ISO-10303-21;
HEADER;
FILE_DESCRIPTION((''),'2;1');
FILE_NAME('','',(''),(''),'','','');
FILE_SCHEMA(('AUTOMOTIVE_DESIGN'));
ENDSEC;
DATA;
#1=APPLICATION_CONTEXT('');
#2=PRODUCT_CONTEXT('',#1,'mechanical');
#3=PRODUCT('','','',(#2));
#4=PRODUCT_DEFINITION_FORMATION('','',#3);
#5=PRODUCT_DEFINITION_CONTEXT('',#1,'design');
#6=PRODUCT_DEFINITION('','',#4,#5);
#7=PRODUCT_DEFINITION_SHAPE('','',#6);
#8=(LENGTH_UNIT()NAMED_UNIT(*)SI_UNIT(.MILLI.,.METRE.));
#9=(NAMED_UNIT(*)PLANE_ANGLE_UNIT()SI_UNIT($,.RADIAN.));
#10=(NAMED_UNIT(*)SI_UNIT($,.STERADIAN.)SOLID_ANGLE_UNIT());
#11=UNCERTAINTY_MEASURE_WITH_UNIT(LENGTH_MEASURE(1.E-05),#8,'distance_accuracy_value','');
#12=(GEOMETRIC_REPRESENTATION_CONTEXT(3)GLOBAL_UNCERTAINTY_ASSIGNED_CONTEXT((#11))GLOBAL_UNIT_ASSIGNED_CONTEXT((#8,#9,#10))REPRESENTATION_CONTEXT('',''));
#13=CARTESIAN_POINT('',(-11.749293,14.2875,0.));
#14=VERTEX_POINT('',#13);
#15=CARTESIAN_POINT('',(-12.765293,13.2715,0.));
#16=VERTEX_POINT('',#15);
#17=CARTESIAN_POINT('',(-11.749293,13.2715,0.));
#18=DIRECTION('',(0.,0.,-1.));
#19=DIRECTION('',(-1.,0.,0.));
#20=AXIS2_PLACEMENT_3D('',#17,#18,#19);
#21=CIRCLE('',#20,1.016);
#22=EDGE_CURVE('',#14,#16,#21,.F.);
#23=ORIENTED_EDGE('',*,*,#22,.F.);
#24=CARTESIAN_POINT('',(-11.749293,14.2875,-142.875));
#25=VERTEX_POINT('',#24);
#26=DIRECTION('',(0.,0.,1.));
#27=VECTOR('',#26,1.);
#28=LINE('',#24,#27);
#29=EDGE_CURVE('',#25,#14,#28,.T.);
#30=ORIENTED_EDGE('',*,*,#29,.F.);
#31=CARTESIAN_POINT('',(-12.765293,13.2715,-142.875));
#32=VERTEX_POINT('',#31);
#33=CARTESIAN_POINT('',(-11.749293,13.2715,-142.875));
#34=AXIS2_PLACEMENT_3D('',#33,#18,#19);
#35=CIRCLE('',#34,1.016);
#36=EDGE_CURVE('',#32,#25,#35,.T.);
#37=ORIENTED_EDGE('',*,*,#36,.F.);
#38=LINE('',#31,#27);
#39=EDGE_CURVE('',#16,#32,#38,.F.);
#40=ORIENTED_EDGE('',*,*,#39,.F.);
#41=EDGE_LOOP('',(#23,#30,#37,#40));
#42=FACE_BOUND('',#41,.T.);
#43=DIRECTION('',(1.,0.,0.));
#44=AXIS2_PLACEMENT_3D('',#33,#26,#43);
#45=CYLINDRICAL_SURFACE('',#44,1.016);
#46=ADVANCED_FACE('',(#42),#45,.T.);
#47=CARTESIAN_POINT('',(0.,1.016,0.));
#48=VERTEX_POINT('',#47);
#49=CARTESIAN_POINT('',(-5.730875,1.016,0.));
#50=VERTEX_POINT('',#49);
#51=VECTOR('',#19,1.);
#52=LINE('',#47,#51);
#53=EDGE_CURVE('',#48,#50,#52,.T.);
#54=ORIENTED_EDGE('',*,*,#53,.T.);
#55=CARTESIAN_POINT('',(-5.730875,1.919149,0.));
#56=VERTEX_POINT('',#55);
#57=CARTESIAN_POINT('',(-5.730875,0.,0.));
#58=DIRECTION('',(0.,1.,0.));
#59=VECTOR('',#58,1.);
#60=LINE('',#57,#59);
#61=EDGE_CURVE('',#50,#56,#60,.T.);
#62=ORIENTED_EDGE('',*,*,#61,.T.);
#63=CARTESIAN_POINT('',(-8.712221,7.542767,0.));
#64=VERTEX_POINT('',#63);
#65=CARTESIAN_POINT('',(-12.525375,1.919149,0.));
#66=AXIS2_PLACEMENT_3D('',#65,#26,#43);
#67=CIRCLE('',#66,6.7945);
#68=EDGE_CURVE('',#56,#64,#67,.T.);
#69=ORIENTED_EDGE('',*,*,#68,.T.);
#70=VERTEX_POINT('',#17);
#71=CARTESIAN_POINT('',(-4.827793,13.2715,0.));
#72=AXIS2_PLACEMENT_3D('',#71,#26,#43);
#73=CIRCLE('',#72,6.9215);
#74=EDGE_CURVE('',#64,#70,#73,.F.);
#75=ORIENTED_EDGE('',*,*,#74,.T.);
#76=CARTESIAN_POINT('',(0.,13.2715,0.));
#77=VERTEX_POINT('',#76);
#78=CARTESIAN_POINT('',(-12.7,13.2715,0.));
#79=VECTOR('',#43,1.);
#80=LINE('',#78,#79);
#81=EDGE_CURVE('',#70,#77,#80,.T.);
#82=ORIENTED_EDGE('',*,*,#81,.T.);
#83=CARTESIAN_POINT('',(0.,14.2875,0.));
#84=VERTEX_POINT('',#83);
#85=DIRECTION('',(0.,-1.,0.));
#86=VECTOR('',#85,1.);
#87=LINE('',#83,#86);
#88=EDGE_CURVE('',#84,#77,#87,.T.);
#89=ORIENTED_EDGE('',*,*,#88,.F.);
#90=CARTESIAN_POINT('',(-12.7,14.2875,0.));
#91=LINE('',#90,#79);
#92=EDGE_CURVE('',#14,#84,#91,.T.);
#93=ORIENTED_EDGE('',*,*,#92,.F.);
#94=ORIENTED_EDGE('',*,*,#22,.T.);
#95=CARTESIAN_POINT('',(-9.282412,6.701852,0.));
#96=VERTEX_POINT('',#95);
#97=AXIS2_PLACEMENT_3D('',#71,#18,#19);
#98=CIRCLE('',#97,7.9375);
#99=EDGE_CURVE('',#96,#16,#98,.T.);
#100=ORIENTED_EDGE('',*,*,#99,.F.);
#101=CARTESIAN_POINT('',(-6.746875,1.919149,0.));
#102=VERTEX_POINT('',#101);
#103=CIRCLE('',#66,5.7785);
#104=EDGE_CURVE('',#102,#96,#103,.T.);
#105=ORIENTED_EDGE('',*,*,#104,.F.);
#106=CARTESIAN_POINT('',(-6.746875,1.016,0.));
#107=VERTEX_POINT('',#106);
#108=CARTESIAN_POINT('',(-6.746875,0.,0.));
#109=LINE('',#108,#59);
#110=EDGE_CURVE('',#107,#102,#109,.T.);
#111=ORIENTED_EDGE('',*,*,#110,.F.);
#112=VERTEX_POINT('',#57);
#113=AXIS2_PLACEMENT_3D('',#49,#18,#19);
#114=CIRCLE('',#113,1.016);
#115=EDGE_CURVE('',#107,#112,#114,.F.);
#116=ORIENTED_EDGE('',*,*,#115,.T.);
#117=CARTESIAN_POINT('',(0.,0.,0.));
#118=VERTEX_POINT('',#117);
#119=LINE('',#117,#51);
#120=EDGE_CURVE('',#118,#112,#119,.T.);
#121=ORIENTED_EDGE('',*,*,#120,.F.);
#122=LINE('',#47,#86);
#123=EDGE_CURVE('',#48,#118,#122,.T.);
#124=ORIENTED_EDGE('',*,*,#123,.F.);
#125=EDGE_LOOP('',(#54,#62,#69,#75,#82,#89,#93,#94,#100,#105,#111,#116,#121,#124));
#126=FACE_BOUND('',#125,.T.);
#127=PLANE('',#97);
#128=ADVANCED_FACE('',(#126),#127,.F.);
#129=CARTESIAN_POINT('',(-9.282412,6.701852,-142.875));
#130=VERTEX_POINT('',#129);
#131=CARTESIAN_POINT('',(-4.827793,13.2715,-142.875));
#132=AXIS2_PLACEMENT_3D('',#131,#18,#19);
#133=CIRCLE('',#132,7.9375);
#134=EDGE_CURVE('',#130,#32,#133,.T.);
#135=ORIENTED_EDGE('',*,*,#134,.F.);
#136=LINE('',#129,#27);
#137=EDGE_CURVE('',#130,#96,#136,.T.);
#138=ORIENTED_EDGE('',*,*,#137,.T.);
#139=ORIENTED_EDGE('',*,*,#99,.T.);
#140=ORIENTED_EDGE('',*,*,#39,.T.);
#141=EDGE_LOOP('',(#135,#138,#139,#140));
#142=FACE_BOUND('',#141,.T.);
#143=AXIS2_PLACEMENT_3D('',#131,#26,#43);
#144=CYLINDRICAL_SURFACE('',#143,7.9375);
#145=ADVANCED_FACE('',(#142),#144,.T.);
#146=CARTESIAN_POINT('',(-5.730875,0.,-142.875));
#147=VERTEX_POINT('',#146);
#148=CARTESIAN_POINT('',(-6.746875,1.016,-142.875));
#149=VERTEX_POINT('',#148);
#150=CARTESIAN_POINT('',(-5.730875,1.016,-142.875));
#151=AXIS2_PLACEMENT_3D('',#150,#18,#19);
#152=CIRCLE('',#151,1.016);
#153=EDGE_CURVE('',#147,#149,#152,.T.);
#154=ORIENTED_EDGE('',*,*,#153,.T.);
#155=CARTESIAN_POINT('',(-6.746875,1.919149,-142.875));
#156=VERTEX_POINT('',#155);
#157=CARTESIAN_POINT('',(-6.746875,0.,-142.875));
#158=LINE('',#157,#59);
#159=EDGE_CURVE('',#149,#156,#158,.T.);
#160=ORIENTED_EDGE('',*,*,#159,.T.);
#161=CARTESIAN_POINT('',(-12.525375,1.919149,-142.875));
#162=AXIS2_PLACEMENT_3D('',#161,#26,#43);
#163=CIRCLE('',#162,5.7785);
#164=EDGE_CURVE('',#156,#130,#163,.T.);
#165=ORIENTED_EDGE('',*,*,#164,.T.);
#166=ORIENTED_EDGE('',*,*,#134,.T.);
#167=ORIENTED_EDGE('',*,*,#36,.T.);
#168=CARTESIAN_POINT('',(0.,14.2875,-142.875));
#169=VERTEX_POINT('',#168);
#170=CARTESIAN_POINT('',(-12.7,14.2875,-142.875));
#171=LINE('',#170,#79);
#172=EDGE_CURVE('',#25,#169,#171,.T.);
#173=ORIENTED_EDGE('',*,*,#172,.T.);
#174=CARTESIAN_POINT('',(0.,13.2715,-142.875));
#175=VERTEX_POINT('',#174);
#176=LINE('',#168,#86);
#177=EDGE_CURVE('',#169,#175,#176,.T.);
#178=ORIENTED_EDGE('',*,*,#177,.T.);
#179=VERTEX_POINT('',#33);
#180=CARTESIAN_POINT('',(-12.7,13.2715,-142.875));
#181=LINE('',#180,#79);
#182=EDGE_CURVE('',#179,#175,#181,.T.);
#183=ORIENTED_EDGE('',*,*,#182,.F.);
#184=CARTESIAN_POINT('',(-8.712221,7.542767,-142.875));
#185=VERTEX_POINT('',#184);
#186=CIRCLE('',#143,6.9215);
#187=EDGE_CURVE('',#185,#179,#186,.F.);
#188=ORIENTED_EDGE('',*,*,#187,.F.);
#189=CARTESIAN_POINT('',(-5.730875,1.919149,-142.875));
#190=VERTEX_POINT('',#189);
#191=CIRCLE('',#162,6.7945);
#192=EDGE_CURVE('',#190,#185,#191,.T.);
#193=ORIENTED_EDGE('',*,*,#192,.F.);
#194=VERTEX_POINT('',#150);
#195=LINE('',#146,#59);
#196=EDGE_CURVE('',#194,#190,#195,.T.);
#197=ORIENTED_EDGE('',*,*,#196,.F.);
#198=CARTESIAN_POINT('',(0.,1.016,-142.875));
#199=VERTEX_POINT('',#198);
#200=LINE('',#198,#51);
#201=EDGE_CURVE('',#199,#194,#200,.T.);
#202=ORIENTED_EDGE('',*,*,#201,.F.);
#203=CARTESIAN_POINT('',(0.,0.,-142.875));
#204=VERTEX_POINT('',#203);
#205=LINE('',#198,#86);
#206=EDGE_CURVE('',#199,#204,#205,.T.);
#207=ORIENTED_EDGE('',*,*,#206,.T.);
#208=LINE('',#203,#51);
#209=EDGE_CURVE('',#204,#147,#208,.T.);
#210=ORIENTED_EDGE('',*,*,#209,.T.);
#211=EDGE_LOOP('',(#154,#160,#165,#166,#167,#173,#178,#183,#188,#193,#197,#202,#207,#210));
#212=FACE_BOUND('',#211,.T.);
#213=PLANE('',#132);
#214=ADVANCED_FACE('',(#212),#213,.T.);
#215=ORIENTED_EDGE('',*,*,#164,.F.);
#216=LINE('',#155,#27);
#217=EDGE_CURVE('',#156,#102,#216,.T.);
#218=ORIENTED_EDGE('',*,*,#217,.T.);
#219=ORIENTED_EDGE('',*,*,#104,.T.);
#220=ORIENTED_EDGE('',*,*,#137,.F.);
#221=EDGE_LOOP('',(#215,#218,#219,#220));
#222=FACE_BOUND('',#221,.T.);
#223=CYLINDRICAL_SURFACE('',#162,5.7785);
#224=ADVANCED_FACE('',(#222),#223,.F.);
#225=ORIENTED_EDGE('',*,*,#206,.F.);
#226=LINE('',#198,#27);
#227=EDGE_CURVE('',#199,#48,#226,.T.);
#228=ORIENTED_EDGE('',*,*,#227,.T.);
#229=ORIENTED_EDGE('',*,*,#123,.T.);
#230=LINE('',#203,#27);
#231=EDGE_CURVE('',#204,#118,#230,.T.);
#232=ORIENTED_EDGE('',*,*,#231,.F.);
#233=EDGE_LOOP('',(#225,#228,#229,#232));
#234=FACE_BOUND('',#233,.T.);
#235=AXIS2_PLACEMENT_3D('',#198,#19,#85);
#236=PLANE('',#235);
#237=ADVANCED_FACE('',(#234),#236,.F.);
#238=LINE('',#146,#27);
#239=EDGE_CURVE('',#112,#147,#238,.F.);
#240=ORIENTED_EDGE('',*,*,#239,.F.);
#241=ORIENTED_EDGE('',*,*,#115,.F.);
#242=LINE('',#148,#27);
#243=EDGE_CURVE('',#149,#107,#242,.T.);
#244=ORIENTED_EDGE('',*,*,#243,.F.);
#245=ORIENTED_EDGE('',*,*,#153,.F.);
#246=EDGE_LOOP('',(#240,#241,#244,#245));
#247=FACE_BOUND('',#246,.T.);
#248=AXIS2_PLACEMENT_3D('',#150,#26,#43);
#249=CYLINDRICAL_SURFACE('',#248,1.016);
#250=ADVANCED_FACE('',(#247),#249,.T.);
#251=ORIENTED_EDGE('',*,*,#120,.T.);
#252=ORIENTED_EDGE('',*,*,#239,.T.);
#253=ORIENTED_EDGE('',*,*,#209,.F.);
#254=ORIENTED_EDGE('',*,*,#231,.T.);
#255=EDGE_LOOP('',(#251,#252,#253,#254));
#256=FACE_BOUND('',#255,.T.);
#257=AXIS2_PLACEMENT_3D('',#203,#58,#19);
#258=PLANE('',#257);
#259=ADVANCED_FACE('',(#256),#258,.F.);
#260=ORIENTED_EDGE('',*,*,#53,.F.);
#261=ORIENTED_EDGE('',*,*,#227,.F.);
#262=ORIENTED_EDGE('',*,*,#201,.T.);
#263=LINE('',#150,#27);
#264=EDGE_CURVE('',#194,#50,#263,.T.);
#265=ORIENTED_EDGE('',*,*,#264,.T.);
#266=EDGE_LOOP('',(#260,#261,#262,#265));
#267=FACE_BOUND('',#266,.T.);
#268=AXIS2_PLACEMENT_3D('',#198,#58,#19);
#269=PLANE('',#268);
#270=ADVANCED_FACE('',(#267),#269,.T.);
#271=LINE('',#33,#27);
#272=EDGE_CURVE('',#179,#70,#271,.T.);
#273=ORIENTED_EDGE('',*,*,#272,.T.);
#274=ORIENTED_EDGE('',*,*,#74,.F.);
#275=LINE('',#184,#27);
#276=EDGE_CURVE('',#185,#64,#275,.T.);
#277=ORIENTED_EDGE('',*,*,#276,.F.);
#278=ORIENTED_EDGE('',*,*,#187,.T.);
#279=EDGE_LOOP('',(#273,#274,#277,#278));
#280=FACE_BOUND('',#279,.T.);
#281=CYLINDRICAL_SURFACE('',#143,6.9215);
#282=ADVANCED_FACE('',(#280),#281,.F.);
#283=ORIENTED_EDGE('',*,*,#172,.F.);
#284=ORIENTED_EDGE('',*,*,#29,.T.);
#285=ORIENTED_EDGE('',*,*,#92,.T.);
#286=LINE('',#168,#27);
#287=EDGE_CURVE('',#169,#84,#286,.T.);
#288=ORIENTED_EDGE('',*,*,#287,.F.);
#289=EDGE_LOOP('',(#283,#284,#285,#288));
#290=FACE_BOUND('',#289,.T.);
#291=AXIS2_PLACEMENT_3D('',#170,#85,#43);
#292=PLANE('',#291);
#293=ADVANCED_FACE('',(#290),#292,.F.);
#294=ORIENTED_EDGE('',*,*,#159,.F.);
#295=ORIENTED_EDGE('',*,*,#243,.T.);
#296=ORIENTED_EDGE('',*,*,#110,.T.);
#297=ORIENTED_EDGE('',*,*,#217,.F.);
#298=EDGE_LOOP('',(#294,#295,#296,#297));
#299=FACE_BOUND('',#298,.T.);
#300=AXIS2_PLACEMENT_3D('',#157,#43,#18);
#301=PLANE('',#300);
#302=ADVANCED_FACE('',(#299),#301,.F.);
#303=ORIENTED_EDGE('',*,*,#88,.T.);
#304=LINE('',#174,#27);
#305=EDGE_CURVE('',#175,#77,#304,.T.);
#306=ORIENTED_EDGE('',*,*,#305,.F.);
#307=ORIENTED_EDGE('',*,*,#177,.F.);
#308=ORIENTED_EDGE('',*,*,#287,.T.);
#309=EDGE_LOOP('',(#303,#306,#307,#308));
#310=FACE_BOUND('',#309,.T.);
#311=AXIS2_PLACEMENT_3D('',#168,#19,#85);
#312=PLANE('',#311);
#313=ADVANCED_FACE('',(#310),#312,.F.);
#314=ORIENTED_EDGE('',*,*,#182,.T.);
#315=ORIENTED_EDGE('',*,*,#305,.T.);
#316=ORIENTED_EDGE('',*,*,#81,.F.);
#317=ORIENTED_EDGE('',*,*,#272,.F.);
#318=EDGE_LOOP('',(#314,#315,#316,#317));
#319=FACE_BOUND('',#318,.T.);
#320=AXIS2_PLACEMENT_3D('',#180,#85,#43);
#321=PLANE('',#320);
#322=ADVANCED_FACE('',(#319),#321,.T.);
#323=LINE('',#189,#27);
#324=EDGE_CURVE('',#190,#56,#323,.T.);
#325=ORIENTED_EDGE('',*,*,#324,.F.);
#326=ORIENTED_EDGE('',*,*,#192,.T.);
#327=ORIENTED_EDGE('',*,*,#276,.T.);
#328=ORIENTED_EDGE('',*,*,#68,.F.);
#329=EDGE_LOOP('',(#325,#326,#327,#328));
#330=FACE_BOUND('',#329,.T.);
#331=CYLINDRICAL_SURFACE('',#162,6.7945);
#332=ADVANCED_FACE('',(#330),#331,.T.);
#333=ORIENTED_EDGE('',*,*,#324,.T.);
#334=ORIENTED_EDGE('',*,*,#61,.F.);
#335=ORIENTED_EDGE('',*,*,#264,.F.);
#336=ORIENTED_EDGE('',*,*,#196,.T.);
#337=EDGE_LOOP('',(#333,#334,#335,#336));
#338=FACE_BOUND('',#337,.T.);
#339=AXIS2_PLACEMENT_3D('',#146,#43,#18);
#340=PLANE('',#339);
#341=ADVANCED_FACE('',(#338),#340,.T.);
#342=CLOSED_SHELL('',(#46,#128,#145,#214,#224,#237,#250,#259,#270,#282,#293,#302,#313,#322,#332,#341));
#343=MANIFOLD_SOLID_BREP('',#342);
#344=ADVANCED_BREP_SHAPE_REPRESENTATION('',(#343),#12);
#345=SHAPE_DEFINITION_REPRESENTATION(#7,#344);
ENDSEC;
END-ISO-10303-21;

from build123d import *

# Parameters (mm, degrees)
EXTRUDE_THIN1_DEPTH = 142.875
FILLET1_R           = 1.016


with BuildPart() as part:
    # Sketch1 → Extrude-Thin1 (new body)
    with BuildSketch(Plane.XY):
        with BuildLine():
            Line((0, 0), (-6.746875, 0))
            Line((-6.746875, 0), (-6.746875, 1.919148688))
            ThreePointArc((-6.746875, 1.919148688), (-7.41996004, 4.62577026), (-9.28241202, 6.70185225))
            ThreePointArc((-9.28241202, 6.70185225), (-12.064724111, 10.011020322), (-12.7, 14.2875))
            Line((-12.7, 14.2875), (0, 14.2875))
            Line((0, 14.2875), (0, 13.2715))
            Line((0, 13.2715), (-11.749292543, 13.2715))
            ThreePointArc((-11.749292543, 13.2715), (-10.943069803, 10.029502732), (-8.712220727, 7.542767162))
            ThreePointArc((-8.712220727, 7.542767162), (-6.522304662, 5.101659767), (-5.730875, 1.919148688))
            Line((-5.730875, 1.919148688), (-5.730875, 1.016))
            Line((-5.730875, 1.016), (0, 1.016))
            Line((0, 1.016), (0, 0))
        make_face()
    extrude(amount=-EXTRUDE_THIN1_DEPTH)

    # Fillet1
    fillet1_edges = [part.edges().sort_by_distance(p)[0] for p in [
        (-6.746875, 0, -71.4375),
        (-12.7, 14.2875, -71.4375),
    ]]
    fillet(fillet1_edges, radius=FILLET1_R)


solid = part.part
